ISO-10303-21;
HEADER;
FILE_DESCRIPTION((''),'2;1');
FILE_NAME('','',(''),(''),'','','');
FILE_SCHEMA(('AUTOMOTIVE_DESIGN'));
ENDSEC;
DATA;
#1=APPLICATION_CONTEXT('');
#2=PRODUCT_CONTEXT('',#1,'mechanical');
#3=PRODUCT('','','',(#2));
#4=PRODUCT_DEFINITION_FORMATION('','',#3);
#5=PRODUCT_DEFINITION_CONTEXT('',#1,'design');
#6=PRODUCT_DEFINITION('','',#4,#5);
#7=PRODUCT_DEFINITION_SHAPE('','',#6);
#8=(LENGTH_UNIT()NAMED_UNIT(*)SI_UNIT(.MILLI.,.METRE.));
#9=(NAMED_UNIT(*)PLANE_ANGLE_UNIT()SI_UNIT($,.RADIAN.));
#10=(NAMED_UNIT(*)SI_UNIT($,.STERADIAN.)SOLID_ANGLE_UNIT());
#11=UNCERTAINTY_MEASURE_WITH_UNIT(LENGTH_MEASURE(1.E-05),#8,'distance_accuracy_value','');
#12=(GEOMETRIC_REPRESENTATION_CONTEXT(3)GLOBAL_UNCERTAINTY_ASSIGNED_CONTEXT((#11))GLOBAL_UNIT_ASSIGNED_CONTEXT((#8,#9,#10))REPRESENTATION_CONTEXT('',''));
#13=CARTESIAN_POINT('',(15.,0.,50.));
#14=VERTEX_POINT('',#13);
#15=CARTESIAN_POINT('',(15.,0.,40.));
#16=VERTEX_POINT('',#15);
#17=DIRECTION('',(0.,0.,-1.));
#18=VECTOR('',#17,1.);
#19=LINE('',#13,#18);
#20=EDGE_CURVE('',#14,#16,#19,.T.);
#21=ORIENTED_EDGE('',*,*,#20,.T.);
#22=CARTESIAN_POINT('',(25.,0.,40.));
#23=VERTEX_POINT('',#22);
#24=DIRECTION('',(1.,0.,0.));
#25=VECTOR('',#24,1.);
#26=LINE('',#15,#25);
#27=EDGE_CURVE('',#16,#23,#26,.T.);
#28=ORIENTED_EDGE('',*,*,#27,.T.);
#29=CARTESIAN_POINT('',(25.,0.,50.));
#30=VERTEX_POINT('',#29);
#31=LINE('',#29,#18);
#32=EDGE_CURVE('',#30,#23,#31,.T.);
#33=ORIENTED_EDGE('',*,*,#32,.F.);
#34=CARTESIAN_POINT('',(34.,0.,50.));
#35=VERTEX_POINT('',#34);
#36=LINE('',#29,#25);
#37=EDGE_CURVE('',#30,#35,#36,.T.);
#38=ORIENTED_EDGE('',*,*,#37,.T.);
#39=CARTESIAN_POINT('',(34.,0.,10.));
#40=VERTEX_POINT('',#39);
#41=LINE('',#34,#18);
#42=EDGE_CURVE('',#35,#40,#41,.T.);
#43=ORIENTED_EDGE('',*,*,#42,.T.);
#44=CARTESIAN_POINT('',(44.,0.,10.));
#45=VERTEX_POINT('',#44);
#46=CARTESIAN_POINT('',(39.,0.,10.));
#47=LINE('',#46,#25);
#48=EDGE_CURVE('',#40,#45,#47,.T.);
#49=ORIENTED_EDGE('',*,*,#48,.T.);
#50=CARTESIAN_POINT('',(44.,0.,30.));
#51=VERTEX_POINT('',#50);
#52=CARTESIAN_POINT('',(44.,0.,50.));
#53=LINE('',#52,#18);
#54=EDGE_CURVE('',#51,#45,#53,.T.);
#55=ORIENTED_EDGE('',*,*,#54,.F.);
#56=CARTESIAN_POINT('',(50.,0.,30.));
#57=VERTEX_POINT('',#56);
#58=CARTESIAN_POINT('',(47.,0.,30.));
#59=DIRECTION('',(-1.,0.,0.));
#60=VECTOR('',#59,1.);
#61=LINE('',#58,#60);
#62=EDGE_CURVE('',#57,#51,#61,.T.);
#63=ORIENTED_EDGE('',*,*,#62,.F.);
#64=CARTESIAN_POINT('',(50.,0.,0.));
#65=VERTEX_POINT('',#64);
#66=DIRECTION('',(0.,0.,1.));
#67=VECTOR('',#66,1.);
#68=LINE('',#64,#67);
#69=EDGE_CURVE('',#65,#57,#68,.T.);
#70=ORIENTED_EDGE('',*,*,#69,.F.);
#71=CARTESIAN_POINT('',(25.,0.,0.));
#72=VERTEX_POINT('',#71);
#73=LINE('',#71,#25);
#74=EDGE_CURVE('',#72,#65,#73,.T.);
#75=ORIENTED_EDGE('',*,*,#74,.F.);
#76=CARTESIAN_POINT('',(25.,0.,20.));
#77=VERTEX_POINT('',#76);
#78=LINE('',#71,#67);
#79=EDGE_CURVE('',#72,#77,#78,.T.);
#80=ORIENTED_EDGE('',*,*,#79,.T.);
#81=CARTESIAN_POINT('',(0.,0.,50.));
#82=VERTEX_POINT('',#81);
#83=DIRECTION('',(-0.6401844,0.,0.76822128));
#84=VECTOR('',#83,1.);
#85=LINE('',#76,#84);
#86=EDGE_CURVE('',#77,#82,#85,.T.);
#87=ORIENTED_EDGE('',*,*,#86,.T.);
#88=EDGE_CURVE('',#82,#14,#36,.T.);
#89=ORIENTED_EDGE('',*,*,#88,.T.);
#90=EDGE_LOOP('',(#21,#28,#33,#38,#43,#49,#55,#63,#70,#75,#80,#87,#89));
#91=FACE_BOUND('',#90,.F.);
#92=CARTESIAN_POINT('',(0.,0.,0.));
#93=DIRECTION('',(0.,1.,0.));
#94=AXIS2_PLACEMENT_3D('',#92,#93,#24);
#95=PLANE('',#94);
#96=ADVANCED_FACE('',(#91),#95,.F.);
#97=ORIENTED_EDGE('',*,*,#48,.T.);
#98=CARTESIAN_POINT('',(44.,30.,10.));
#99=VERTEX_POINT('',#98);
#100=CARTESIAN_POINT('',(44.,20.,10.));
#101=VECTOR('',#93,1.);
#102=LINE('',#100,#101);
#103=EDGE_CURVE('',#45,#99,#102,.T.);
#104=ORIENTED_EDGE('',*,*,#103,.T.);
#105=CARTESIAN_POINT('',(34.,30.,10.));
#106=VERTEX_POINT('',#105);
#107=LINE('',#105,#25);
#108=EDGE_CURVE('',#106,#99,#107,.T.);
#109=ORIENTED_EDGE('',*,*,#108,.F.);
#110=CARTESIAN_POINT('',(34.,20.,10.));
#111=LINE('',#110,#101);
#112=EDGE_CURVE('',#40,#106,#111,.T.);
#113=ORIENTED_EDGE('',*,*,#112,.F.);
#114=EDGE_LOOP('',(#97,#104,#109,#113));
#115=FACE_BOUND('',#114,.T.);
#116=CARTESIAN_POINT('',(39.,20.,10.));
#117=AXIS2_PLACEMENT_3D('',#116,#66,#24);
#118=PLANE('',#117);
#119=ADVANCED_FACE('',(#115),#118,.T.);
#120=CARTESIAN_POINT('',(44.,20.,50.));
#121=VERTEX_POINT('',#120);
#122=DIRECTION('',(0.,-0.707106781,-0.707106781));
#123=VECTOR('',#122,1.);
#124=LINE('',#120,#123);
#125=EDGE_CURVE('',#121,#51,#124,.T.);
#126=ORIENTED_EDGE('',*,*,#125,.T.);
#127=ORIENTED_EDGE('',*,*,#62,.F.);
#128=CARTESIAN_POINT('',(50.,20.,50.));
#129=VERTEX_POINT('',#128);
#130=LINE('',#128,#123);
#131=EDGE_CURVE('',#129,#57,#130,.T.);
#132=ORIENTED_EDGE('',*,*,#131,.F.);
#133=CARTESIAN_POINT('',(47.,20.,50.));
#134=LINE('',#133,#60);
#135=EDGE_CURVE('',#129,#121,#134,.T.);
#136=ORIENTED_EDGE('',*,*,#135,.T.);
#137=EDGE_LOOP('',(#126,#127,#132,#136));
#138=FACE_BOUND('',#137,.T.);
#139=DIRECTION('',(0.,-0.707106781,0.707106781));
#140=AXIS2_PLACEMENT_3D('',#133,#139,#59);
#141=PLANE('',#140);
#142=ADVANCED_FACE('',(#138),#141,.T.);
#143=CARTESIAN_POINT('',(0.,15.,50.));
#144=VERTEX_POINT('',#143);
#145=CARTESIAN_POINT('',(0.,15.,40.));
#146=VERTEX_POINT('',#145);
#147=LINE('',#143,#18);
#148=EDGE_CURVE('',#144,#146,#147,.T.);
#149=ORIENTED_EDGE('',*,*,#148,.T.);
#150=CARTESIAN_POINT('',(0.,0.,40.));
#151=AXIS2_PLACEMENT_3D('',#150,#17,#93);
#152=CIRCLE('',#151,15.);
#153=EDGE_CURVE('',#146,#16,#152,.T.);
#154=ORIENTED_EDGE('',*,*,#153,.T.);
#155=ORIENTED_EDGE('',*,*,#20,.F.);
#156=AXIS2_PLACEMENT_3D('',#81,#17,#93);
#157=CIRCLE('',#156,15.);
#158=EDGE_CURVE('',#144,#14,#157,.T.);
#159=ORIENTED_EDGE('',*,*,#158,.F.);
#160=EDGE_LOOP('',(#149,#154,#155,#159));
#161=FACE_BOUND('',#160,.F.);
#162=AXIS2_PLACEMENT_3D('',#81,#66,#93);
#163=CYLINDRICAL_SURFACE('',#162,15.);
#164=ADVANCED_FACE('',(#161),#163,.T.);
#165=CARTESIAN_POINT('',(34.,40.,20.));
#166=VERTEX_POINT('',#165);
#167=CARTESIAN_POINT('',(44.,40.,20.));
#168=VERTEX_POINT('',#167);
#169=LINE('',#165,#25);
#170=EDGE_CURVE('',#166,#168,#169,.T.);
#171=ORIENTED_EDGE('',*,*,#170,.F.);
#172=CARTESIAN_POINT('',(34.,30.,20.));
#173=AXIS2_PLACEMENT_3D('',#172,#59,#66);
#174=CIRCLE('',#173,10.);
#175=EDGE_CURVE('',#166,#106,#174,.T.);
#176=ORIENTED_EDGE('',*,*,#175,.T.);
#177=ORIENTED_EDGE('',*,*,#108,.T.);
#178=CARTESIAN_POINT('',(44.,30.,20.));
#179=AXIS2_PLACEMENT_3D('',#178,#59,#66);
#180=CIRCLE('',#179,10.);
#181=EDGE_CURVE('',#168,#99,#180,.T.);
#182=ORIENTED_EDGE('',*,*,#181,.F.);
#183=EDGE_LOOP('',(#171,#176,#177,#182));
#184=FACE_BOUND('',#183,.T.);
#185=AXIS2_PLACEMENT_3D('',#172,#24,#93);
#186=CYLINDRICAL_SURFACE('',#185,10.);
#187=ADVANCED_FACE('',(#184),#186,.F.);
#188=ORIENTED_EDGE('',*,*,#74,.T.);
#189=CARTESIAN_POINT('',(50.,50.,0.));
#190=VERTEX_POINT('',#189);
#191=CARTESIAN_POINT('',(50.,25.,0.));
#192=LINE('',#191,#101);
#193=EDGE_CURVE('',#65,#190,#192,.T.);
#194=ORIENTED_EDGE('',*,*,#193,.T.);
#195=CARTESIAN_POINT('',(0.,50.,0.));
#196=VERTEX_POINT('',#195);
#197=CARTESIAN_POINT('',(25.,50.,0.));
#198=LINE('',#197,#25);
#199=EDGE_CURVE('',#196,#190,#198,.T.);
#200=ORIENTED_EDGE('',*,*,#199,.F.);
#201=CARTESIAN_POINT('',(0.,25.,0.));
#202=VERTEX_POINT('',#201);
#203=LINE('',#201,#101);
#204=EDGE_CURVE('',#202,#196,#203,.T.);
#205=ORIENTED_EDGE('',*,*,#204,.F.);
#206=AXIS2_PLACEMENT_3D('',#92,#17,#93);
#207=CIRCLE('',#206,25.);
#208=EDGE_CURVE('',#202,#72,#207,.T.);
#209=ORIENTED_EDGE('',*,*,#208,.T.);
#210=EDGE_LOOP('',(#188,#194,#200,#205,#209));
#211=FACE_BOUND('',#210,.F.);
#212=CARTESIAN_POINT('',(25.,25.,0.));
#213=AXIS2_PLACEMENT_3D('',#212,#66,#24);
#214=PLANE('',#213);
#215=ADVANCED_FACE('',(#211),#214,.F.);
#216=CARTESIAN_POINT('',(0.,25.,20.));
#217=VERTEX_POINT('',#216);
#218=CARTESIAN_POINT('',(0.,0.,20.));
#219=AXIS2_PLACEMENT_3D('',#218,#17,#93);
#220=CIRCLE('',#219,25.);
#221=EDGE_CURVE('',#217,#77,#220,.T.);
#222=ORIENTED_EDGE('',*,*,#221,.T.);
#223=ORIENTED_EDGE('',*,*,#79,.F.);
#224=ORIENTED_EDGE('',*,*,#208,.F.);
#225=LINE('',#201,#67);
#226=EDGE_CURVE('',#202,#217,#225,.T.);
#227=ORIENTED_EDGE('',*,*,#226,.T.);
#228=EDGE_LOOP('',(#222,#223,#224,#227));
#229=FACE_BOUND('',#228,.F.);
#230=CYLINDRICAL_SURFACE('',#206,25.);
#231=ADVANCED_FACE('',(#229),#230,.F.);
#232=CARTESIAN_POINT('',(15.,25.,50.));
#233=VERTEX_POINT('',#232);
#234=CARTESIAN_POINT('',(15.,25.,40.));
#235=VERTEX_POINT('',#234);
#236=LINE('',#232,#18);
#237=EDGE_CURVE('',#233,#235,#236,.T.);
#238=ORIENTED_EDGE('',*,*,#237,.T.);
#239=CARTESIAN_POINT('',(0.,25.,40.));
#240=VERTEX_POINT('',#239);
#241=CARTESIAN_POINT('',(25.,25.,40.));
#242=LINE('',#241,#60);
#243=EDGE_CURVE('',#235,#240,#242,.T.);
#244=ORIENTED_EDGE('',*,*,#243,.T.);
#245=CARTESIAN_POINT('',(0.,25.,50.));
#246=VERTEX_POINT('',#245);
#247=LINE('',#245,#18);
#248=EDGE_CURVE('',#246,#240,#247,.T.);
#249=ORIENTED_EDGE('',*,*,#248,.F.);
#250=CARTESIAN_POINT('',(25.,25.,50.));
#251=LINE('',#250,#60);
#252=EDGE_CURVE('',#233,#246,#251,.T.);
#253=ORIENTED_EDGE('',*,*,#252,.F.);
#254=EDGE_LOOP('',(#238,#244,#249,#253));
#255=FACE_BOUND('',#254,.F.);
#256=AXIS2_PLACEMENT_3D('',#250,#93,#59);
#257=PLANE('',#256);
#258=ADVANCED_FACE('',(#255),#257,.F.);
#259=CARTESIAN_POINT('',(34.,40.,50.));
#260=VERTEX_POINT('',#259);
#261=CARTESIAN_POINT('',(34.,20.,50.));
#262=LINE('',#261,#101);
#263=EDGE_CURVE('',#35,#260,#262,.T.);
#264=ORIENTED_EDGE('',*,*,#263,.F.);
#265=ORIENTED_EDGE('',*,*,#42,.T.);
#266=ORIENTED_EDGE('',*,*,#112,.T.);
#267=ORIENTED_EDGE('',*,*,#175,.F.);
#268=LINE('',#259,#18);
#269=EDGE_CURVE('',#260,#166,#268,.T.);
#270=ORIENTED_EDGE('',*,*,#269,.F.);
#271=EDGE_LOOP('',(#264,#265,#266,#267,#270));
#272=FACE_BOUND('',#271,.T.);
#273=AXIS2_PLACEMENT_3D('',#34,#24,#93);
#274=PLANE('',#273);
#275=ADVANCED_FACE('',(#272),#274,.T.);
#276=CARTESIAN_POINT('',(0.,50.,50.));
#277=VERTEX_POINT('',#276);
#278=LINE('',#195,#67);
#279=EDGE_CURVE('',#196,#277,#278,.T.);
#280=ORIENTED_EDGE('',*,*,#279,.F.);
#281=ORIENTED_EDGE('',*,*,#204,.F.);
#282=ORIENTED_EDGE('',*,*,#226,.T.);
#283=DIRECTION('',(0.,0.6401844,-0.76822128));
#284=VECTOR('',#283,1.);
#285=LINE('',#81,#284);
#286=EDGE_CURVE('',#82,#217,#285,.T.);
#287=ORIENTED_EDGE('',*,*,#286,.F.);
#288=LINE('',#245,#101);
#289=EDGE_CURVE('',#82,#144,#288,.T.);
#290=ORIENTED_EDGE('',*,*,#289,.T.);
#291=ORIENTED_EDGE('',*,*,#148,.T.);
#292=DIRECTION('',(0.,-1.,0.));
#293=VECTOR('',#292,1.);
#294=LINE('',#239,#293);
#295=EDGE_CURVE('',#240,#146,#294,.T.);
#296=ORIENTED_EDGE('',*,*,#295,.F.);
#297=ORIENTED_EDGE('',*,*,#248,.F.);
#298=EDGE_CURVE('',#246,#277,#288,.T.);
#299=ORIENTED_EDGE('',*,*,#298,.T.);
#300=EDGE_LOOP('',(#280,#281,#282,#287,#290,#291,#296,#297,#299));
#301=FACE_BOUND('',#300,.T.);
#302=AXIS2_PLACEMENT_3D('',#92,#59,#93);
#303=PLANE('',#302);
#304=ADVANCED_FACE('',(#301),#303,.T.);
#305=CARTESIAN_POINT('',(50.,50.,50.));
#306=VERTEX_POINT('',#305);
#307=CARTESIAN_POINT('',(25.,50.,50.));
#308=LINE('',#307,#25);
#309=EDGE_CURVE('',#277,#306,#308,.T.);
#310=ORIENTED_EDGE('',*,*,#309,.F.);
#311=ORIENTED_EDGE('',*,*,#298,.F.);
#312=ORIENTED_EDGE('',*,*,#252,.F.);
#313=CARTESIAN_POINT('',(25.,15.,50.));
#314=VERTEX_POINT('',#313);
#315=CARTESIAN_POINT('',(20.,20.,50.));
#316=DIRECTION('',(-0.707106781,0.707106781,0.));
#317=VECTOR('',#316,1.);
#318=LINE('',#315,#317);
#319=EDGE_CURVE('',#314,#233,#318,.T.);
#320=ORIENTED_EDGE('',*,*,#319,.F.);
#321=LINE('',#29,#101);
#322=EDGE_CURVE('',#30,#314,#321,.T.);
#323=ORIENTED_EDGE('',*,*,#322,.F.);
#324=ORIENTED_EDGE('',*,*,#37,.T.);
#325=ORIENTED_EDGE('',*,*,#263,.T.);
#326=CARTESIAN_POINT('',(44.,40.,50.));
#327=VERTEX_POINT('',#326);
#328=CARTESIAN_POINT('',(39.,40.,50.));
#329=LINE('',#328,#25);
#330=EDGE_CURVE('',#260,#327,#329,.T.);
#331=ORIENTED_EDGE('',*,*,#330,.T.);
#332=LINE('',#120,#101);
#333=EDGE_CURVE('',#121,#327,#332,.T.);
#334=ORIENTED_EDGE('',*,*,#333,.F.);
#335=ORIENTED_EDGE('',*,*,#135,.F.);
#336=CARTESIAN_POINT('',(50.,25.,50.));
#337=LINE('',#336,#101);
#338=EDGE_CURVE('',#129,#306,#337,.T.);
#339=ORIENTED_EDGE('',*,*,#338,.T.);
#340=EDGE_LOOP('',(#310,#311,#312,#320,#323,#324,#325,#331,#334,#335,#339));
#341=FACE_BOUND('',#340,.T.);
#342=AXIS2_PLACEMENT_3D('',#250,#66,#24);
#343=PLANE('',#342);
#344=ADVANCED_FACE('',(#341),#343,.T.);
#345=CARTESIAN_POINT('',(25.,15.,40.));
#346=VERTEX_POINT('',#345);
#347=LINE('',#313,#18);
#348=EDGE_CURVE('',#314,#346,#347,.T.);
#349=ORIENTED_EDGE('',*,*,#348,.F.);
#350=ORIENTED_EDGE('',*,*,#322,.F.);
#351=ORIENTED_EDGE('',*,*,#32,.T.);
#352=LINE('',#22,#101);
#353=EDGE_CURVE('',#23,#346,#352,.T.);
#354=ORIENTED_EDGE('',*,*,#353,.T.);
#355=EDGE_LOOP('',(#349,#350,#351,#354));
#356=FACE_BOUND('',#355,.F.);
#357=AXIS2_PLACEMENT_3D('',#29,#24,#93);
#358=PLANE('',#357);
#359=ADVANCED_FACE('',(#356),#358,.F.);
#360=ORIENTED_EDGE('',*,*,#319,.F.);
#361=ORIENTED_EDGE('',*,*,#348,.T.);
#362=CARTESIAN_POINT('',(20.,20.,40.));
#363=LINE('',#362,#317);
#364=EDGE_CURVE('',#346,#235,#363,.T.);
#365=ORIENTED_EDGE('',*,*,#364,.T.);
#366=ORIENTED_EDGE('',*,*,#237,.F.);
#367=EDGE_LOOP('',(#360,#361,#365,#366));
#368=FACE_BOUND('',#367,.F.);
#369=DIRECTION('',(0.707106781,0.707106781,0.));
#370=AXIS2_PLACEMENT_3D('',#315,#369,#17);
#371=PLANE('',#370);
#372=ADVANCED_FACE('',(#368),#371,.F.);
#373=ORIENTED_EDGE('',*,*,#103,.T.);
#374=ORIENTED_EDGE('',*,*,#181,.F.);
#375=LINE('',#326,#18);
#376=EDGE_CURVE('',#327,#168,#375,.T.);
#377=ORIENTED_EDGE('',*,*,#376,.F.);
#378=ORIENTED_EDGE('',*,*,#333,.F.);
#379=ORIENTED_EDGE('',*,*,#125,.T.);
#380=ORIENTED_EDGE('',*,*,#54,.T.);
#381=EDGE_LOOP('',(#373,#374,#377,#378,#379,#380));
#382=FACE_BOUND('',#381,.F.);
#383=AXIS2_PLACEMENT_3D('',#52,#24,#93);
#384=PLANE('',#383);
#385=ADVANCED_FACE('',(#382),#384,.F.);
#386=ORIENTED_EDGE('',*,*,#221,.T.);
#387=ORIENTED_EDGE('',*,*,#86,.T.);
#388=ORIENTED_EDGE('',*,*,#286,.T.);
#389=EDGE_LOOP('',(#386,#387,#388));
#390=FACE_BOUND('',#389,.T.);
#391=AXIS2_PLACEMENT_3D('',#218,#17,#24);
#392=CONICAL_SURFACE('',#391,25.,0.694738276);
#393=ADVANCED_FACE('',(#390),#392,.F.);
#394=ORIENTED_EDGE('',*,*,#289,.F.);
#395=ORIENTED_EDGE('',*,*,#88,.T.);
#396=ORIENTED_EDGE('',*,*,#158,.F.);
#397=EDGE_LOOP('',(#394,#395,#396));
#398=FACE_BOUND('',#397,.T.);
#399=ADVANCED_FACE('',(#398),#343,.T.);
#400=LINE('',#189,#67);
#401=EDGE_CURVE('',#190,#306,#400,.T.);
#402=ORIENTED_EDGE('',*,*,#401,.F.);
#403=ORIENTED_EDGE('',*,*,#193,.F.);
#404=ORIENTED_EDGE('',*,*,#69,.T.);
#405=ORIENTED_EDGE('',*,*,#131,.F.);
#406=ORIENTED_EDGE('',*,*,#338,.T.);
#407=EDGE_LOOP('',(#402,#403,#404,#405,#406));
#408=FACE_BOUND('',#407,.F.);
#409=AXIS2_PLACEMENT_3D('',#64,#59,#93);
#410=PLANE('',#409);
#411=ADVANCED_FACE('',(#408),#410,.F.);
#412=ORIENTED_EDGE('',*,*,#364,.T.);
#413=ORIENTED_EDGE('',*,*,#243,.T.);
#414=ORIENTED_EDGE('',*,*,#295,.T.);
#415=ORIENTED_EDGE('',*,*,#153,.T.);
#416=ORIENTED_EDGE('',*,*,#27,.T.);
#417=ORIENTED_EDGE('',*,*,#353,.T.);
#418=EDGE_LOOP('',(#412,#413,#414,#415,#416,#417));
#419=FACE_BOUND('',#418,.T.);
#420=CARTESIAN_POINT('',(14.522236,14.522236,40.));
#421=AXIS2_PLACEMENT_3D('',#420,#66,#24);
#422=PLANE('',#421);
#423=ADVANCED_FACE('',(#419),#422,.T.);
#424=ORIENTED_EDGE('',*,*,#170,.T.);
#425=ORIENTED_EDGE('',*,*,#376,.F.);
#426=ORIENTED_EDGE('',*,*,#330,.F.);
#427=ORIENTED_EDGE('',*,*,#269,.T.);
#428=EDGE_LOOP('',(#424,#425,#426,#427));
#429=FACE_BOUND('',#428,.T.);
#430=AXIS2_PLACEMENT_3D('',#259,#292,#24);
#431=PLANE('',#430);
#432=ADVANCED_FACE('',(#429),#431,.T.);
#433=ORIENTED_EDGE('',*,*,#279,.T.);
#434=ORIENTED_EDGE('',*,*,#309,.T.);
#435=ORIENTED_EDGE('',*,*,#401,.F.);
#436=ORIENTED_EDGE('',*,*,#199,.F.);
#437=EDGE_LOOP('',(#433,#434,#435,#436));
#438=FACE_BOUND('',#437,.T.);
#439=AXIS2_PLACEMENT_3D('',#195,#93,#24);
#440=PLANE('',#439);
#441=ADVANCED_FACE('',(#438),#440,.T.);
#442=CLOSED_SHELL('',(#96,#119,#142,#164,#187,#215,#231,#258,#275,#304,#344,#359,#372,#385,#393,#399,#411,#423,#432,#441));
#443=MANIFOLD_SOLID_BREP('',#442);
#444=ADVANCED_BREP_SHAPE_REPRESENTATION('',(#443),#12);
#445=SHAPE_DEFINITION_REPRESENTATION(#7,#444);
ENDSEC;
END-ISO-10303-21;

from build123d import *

# Parameters (mm, degrees)
F0_W      = 50
F0_H      = 50
F1_DEPTH  = 50
F2_W      = 10
F2_H      = 40
F3_DEPTH  = 40
F5_DEPTH  = 20
F6_W      = 6
F6_H      = 20
F11_R     = 10
F13_DEPTH = 10
F14_SIZE  = 10


with BuildPart() as f1:
    # F0 (on Top) → F1 (new body)
    with BuildSketch(Plane.XY):
        with Locations((25, 25)):
            Rectangle(F0_W, F0_H)
    extrude(amount=F1_DEPTH)

    # F2 (on face) → F3 (cut)
    with BuildSketch(Plane.XY.offset(50)):
        with Locations((39, 20)):
            Rectangle(F2_W, F2_H)
    extrude(amount=-F3_DEPTH, mode=Mode.SUBTRACT)

    # F4 (on face) → F5 (cut)
    with BuildSketch(Plane(origin=(0, 0, 0), x_dir=(1, 0, 0), z_dir=(0, 0, -1))):
        with BuildLine():
            ThreePointArc((0, -25), (17.6776695297, -17.6776695297), (25, 0))
            Line((25, 0), (0, 0))
            Line((0, 0), (0, -25))
        make_face()
    extrude(amount=-F5_DEPTH, mode=Mode.SUBTRACT)

    # F7 (on face) → F8 (revolve, cut)
    with BuildSketch(Plane.XZ):
        Polygon((25, 20), (0, 50), (0, 20), align=None)
    revolve(axis=Axis((0, 0, 35), (0, 0, -1)), mode=Mode.SUBTRACT)

    # F10: sweep along a path in F9
    with BuildLine(Plane.YZ.offset(50)) as f10_path:
        Line((20, 50), (0, 30))
    # F6 (on face) → F10 (sweep, cut)
    with BuildSketch(Plane.XY.offset(50)):
        with Locations((47, 10)):
            Rectangle(F6_W, F6_H)
    sweep(path=f10_path.line, mode=Mode.SUBTRACT)

    # F11
    f11_edges = [f1.edges().sort_by_distance(p)[0] for p in [
        (39, 40, 10),
    ]]
    fillet(f11_edges, radius=F11_R)

    # F12 (on face) → F13 (cut)
    with BuildSketch(Plane.XY.offset(50)):
        with BuildLine():
            ThreePointArc((0, 15), (10.6066017178, 10.6066017178), (15, 0))
            Line((15, 0), (25, 0))
            Line((25, 0), (25, 25))
            Line((25, 25), (0, 25))
            Line((0, 25), (0, 15))
        make_face()
    extrude(amount=-F13_DEPTH, mode=Mode.SUBTRACT)

    # F14
    f14_edges = [f1.edges().sort_by_distance(p)[0] for p in [
        (25, 25, 45),
    ]]
    chamfer(f14_edges, length=F14_SIZE)


solid = f1.part
